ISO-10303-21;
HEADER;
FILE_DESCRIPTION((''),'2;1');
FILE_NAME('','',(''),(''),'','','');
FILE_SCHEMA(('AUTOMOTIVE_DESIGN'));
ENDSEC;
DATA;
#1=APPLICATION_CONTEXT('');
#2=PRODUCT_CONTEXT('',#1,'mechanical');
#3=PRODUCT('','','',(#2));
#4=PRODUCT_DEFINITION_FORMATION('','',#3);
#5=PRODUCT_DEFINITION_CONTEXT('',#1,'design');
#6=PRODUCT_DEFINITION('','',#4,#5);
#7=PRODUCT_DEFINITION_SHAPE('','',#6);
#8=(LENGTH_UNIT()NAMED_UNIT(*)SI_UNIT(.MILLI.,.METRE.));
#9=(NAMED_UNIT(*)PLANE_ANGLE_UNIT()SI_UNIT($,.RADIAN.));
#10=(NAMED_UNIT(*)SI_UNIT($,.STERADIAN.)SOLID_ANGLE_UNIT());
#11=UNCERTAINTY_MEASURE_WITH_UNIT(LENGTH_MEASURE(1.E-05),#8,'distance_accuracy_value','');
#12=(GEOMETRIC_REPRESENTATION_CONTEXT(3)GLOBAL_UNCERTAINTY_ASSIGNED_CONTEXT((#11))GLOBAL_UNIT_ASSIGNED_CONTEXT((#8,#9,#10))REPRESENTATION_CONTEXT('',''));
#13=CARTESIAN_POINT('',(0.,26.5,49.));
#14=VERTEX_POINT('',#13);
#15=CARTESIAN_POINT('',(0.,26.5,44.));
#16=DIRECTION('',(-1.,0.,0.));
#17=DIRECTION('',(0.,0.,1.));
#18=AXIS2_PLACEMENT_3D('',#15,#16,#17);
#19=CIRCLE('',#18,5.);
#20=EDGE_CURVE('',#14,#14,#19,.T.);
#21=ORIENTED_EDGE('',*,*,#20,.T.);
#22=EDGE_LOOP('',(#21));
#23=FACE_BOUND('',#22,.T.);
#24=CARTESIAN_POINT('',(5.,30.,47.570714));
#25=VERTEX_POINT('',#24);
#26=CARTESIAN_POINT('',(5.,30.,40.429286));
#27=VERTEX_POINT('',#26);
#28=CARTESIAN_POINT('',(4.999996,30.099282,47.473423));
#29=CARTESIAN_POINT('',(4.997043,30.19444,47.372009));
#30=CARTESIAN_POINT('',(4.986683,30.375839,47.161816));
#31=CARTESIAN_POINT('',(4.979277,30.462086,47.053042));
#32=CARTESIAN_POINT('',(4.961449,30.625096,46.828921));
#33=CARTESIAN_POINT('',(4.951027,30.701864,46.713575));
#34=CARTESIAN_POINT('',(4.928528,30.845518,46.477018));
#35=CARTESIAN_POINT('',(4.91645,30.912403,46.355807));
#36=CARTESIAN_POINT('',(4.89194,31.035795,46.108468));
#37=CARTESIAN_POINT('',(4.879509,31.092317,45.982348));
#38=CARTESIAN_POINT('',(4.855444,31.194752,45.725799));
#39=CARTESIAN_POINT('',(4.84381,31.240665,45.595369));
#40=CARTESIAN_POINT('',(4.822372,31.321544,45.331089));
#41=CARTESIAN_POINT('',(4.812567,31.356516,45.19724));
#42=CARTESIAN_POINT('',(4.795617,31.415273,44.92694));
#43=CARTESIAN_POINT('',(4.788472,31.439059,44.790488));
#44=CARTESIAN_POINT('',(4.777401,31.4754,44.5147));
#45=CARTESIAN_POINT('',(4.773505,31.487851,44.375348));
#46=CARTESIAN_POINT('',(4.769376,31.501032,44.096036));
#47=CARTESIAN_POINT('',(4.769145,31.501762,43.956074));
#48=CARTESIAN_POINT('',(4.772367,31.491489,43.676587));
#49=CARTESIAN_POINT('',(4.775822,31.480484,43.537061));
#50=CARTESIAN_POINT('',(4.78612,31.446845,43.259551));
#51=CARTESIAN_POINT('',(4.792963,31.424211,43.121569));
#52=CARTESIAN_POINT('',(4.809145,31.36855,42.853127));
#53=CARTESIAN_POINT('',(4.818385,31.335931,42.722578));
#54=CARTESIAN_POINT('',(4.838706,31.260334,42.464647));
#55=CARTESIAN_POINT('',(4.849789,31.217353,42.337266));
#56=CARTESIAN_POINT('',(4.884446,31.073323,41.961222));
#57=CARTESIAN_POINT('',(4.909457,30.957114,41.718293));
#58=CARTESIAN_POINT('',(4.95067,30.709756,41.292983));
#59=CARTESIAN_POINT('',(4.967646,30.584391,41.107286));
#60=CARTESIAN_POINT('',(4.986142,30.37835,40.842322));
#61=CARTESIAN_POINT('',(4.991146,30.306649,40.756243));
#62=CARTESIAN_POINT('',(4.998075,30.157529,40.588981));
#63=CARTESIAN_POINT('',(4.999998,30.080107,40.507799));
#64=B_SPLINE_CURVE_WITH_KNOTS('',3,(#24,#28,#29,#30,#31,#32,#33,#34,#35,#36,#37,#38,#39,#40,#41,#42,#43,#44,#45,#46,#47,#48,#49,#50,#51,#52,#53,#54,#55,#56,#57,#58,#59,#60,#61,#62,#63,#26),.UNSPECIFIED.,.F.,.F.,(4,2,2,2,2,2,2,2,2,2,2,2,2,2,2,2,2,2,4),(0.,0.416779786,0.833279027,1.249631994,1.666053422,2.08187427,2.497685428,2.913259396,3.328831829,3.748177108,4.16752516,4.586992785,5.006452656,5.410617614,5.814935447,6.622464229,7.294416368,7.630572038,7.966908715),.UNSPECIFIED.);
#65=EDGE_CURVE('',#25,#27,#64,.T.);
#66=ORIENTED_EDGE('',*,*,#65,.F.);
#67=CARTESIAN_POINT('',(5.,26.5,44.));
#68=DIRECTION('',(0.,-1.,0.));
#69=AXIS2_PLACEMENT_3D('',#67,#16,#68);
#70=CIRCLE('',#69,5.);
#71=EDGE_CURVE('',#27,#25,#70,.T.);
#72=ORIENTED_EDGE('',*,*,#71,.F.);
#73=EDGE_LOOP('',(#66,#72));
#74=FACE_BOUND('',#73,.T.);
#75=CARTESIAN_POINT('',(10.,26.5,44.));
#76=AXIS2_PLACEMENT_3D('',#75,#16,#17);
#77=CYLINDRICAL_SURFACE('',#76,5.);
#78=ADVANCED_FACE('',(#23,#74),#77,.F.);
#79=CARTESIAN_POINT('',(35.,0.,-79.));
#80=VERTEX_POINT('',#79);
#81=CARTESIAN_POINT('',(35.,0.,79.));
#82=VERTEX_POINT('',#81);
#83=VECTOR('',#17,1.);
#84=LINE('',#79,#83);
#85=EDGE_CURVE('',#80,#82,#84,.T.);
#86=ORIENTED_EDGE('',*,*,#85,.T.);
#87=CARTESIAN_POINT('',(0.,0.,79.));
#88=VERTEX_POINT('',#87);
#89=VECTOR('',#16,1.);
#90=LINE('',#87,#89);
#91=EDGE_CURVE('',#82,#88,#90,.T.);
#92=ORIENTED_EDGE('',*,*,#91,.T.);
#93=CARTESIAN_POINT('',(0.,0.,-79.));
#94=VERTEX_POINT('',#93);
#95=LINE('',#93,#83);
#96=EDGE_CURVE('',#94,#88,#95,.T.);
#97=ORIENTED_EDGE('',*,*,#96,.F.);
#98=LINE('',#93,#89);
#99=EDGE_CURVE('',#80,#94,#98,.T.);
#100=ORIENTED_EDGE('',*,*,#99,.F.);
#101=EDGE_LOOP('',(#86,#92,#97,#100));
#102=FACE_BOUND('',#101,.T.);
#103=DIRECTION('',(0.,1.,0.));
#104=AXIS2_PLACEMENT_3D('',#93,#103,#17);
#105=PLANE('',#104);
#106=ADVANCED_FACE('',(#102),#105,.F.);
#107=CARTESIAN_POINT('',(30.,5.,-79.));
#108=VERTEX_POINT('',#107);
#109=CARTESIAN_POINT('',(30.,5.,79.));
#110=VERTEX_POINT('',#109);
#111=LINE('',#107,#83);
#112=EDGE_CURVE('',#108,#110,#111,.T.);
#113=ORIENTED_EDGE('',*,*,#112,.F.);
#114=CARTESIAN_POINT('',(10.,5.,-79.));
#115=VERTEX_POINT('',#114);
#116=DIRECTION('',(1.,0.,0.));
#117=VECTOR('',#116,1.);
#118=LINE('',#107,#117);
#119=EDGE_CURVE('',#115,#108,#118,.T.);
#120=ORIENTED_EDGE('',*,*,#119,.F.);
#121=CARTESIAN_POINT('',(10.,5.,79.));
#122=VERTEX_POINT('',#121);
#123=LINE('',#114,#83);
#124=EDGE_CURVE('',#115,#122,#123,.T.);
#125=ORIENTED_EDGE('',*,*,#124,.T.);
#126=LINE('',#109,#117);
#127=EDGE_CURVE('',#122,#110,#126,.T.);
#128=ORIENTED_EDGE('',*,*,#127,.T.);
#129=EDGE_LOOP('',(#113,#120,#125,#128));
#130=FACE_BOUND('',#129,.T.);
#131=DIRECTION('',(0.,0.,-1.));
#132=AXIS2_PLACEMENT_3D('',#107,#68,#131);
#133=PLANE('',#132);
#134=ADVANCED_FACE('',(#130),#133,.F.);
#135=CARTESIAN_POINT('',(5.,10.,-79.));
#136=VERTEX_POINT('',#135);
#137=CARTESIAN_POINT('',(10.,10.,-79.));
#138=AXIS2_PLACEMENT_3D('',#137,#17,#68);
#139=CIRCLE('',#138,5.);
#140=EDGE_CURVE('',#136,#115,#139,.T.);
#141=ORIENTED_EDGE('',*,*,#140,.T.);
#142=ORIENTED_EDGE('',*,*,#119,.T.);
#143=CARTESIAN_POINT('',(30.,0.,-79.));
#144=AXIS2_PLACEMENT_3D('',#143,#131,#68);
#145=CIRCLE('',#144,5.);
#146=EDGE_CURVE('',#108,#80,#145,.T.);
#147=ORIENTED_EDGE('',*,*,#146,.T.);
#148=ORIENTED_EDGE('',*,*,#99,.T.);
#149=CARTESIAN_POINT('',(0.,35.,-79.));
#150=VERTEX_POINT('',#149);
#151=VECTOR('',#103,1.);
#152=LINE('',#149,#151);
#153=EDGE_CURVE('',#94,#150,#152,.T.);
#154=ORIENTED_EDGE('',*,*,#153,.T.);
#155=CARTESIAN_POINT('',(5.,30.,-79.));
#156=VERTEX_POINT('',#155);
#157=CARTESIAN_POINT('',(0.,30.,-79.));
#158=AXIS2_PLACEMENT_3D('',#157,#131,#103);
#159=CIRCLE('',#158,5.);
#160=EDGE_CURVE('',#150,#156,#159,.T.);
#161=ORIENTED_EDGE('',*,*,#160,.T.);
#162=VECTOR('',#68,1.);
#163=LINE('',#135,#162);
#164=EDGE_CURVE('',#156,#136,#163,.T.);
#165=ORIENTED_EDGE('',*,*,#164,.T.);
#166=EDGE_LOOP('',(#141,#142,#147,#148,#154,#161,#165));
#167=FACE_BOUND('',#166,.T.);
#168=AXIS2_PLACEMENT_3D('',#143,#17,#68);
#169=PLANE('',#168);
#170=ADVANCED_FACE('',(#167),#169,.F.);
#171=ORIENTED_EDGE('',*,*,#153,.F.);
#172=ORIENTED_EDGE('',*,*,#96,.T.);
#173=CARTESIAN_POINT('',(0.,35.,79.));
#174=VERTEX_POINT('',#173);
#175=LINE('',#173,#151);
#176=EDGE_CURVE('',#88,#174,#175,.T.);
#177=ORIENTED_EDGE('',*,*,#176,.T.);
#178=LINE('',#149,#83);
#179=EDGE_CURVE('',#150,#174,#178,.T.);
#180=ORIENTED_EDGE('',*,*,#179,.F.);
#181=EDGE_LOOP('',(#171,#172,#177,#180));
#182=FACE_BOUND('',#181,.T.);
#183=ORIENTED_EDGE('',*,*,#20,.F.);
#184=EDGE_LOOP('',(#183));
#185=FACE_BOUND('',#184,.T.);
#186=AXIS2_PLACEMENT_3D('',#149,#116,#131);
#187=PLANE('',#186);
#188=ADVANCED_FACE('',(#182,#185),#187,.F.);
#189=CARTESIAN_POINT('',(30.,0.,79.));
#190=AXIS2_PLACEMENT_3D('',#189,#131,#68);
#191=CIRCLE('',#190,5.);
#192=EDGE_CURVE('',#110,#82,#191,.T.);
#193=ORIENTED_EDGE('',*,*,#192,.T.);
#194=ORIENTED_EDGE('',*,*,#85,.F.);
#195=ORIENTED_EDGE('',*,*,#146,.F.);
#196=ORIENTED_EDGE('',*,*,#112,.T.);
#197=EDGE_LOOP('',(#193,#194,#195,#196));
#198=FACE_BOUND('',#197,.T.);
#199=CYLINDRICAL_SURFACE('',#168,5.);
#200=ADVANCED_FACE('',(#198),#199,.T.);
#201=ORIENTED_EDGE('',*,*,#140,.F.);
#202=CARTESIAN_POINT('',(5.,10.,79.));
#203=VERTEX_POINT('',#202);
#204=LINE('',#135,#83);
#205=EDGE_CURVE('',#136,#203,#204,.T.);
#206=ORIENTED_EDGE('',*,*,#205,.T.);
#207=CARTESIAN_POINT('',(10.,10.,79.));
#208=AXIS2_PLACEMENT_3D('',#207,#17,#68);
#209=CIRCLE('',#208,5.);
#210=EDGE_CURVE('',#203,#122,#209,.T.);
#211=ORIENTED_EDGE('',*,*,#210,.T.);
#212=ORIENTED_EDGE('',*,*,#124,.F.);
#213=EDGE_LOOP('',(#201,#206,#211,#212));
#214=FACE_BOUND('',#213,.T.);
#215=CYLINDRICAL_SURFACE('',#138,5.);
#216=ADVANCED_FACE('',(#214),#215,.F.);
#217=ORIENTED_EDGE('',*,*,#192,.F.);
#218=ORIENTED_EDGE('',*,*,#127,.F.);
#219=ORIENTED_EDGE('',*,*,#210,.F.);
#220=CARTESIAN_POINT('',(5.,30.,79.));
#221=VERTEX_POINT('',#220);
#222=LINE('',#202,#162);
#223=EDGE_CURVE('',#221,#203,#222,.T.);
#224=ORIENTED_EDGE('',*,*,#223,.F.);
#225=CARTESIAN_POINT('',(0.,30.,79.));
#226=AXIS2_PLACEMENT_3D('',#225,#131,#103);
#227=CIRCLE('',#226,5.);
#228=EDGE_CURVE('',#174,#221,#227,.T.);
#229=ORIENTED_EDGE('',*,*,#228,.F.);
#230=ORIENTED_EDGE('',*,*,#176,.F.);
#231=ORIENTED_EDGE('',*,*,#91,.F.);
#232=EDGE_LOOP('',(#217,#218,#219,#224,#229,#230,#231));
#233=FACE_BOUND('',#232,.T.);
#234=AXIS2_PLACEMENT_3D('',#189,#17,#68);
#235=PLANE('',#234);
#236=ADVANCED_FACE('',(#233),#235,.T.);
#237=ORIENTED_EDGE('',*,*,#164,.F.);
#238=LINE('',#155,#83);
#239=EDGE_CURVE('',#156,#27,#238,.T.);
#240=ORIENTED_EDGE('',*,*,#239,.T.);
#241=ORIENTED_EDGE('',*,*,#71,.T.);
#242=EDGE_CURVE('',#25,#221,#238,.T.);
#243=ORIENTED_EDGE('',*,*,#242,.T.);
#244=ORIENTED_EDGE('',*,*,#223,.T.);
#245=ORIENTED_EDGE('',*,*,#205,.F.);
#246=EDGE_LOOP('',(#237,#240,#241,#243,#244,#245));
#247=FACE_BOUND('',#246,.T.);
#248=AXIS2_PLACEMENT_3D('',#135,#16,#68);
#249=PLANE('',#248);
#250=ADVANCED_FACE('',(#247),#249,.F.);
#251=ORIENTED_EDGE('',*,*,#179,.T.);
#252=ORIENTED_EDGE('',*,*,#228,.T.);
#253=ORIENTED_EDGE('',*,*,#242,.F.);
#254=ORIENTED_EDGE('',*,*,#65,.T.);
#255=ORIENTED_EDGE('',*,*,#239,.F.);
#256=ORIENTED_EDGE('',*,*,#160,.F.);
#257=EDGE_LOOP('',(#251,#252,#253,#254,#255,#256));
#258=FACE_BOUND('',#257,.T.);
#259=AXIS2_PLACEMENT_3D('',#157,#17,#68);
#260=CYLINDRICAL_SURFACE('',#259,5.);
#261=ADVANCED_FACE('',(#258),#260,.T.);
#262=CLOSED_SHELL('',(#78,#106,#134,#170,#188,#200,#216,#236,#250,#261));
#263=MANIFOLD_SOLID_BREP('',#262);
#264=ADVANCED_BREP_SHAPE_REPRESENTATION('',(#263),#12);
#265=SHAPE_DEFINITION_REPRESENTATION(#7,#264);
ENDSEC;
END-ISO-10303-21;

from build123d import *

# Parameters (mm, degrees)
K_TOWNIK_STALOWY_35_X_35_X_5_1_DEPTH = 158
SZKIC3_R                             = 5
WYTNIJ_WYCI_GNI_CIE1_DEPTH           = 10


with BuildPart() as part:
    # Sketch1 → Kątownik stalowy 35 X 35 X 5(1) (new body)
    with BuildSketch(Plane.YX.offset(-79)):
        with BuildLine():
            Line((0, 0), (0, 35))
            ThreePointArc((0, 35), (3.535533906, 33.535533906), (5, 30))
            Line((5, 30), (5, 10))
            ThreePointArc((5, 10), (6.464466094, 6.464466094), (10, 5))
            Line((10, 5), (30, 5))
            ThreePointArc((30, 5), (33.535533906, 3.535533906), (35, 0))
            Line((35, 0), (0, 0))
        make_face()
    extrude(amount=K_TOWNIK_STALOWY_35_X_35_X_5_1_DEPTH)

    # Szkic3 → Wytnij-wyciągnięcie1 (cut)
    with BuildSketch(Plane.ZY):
        with Locations((44, 26.5)):
            Circle(SZKIC3_R)
    extrude(amount=-WYTNIJ_WYCI_GNI_CIE1_DEPTH, mode=Mode.SUBTRACT)


solid = part.part
